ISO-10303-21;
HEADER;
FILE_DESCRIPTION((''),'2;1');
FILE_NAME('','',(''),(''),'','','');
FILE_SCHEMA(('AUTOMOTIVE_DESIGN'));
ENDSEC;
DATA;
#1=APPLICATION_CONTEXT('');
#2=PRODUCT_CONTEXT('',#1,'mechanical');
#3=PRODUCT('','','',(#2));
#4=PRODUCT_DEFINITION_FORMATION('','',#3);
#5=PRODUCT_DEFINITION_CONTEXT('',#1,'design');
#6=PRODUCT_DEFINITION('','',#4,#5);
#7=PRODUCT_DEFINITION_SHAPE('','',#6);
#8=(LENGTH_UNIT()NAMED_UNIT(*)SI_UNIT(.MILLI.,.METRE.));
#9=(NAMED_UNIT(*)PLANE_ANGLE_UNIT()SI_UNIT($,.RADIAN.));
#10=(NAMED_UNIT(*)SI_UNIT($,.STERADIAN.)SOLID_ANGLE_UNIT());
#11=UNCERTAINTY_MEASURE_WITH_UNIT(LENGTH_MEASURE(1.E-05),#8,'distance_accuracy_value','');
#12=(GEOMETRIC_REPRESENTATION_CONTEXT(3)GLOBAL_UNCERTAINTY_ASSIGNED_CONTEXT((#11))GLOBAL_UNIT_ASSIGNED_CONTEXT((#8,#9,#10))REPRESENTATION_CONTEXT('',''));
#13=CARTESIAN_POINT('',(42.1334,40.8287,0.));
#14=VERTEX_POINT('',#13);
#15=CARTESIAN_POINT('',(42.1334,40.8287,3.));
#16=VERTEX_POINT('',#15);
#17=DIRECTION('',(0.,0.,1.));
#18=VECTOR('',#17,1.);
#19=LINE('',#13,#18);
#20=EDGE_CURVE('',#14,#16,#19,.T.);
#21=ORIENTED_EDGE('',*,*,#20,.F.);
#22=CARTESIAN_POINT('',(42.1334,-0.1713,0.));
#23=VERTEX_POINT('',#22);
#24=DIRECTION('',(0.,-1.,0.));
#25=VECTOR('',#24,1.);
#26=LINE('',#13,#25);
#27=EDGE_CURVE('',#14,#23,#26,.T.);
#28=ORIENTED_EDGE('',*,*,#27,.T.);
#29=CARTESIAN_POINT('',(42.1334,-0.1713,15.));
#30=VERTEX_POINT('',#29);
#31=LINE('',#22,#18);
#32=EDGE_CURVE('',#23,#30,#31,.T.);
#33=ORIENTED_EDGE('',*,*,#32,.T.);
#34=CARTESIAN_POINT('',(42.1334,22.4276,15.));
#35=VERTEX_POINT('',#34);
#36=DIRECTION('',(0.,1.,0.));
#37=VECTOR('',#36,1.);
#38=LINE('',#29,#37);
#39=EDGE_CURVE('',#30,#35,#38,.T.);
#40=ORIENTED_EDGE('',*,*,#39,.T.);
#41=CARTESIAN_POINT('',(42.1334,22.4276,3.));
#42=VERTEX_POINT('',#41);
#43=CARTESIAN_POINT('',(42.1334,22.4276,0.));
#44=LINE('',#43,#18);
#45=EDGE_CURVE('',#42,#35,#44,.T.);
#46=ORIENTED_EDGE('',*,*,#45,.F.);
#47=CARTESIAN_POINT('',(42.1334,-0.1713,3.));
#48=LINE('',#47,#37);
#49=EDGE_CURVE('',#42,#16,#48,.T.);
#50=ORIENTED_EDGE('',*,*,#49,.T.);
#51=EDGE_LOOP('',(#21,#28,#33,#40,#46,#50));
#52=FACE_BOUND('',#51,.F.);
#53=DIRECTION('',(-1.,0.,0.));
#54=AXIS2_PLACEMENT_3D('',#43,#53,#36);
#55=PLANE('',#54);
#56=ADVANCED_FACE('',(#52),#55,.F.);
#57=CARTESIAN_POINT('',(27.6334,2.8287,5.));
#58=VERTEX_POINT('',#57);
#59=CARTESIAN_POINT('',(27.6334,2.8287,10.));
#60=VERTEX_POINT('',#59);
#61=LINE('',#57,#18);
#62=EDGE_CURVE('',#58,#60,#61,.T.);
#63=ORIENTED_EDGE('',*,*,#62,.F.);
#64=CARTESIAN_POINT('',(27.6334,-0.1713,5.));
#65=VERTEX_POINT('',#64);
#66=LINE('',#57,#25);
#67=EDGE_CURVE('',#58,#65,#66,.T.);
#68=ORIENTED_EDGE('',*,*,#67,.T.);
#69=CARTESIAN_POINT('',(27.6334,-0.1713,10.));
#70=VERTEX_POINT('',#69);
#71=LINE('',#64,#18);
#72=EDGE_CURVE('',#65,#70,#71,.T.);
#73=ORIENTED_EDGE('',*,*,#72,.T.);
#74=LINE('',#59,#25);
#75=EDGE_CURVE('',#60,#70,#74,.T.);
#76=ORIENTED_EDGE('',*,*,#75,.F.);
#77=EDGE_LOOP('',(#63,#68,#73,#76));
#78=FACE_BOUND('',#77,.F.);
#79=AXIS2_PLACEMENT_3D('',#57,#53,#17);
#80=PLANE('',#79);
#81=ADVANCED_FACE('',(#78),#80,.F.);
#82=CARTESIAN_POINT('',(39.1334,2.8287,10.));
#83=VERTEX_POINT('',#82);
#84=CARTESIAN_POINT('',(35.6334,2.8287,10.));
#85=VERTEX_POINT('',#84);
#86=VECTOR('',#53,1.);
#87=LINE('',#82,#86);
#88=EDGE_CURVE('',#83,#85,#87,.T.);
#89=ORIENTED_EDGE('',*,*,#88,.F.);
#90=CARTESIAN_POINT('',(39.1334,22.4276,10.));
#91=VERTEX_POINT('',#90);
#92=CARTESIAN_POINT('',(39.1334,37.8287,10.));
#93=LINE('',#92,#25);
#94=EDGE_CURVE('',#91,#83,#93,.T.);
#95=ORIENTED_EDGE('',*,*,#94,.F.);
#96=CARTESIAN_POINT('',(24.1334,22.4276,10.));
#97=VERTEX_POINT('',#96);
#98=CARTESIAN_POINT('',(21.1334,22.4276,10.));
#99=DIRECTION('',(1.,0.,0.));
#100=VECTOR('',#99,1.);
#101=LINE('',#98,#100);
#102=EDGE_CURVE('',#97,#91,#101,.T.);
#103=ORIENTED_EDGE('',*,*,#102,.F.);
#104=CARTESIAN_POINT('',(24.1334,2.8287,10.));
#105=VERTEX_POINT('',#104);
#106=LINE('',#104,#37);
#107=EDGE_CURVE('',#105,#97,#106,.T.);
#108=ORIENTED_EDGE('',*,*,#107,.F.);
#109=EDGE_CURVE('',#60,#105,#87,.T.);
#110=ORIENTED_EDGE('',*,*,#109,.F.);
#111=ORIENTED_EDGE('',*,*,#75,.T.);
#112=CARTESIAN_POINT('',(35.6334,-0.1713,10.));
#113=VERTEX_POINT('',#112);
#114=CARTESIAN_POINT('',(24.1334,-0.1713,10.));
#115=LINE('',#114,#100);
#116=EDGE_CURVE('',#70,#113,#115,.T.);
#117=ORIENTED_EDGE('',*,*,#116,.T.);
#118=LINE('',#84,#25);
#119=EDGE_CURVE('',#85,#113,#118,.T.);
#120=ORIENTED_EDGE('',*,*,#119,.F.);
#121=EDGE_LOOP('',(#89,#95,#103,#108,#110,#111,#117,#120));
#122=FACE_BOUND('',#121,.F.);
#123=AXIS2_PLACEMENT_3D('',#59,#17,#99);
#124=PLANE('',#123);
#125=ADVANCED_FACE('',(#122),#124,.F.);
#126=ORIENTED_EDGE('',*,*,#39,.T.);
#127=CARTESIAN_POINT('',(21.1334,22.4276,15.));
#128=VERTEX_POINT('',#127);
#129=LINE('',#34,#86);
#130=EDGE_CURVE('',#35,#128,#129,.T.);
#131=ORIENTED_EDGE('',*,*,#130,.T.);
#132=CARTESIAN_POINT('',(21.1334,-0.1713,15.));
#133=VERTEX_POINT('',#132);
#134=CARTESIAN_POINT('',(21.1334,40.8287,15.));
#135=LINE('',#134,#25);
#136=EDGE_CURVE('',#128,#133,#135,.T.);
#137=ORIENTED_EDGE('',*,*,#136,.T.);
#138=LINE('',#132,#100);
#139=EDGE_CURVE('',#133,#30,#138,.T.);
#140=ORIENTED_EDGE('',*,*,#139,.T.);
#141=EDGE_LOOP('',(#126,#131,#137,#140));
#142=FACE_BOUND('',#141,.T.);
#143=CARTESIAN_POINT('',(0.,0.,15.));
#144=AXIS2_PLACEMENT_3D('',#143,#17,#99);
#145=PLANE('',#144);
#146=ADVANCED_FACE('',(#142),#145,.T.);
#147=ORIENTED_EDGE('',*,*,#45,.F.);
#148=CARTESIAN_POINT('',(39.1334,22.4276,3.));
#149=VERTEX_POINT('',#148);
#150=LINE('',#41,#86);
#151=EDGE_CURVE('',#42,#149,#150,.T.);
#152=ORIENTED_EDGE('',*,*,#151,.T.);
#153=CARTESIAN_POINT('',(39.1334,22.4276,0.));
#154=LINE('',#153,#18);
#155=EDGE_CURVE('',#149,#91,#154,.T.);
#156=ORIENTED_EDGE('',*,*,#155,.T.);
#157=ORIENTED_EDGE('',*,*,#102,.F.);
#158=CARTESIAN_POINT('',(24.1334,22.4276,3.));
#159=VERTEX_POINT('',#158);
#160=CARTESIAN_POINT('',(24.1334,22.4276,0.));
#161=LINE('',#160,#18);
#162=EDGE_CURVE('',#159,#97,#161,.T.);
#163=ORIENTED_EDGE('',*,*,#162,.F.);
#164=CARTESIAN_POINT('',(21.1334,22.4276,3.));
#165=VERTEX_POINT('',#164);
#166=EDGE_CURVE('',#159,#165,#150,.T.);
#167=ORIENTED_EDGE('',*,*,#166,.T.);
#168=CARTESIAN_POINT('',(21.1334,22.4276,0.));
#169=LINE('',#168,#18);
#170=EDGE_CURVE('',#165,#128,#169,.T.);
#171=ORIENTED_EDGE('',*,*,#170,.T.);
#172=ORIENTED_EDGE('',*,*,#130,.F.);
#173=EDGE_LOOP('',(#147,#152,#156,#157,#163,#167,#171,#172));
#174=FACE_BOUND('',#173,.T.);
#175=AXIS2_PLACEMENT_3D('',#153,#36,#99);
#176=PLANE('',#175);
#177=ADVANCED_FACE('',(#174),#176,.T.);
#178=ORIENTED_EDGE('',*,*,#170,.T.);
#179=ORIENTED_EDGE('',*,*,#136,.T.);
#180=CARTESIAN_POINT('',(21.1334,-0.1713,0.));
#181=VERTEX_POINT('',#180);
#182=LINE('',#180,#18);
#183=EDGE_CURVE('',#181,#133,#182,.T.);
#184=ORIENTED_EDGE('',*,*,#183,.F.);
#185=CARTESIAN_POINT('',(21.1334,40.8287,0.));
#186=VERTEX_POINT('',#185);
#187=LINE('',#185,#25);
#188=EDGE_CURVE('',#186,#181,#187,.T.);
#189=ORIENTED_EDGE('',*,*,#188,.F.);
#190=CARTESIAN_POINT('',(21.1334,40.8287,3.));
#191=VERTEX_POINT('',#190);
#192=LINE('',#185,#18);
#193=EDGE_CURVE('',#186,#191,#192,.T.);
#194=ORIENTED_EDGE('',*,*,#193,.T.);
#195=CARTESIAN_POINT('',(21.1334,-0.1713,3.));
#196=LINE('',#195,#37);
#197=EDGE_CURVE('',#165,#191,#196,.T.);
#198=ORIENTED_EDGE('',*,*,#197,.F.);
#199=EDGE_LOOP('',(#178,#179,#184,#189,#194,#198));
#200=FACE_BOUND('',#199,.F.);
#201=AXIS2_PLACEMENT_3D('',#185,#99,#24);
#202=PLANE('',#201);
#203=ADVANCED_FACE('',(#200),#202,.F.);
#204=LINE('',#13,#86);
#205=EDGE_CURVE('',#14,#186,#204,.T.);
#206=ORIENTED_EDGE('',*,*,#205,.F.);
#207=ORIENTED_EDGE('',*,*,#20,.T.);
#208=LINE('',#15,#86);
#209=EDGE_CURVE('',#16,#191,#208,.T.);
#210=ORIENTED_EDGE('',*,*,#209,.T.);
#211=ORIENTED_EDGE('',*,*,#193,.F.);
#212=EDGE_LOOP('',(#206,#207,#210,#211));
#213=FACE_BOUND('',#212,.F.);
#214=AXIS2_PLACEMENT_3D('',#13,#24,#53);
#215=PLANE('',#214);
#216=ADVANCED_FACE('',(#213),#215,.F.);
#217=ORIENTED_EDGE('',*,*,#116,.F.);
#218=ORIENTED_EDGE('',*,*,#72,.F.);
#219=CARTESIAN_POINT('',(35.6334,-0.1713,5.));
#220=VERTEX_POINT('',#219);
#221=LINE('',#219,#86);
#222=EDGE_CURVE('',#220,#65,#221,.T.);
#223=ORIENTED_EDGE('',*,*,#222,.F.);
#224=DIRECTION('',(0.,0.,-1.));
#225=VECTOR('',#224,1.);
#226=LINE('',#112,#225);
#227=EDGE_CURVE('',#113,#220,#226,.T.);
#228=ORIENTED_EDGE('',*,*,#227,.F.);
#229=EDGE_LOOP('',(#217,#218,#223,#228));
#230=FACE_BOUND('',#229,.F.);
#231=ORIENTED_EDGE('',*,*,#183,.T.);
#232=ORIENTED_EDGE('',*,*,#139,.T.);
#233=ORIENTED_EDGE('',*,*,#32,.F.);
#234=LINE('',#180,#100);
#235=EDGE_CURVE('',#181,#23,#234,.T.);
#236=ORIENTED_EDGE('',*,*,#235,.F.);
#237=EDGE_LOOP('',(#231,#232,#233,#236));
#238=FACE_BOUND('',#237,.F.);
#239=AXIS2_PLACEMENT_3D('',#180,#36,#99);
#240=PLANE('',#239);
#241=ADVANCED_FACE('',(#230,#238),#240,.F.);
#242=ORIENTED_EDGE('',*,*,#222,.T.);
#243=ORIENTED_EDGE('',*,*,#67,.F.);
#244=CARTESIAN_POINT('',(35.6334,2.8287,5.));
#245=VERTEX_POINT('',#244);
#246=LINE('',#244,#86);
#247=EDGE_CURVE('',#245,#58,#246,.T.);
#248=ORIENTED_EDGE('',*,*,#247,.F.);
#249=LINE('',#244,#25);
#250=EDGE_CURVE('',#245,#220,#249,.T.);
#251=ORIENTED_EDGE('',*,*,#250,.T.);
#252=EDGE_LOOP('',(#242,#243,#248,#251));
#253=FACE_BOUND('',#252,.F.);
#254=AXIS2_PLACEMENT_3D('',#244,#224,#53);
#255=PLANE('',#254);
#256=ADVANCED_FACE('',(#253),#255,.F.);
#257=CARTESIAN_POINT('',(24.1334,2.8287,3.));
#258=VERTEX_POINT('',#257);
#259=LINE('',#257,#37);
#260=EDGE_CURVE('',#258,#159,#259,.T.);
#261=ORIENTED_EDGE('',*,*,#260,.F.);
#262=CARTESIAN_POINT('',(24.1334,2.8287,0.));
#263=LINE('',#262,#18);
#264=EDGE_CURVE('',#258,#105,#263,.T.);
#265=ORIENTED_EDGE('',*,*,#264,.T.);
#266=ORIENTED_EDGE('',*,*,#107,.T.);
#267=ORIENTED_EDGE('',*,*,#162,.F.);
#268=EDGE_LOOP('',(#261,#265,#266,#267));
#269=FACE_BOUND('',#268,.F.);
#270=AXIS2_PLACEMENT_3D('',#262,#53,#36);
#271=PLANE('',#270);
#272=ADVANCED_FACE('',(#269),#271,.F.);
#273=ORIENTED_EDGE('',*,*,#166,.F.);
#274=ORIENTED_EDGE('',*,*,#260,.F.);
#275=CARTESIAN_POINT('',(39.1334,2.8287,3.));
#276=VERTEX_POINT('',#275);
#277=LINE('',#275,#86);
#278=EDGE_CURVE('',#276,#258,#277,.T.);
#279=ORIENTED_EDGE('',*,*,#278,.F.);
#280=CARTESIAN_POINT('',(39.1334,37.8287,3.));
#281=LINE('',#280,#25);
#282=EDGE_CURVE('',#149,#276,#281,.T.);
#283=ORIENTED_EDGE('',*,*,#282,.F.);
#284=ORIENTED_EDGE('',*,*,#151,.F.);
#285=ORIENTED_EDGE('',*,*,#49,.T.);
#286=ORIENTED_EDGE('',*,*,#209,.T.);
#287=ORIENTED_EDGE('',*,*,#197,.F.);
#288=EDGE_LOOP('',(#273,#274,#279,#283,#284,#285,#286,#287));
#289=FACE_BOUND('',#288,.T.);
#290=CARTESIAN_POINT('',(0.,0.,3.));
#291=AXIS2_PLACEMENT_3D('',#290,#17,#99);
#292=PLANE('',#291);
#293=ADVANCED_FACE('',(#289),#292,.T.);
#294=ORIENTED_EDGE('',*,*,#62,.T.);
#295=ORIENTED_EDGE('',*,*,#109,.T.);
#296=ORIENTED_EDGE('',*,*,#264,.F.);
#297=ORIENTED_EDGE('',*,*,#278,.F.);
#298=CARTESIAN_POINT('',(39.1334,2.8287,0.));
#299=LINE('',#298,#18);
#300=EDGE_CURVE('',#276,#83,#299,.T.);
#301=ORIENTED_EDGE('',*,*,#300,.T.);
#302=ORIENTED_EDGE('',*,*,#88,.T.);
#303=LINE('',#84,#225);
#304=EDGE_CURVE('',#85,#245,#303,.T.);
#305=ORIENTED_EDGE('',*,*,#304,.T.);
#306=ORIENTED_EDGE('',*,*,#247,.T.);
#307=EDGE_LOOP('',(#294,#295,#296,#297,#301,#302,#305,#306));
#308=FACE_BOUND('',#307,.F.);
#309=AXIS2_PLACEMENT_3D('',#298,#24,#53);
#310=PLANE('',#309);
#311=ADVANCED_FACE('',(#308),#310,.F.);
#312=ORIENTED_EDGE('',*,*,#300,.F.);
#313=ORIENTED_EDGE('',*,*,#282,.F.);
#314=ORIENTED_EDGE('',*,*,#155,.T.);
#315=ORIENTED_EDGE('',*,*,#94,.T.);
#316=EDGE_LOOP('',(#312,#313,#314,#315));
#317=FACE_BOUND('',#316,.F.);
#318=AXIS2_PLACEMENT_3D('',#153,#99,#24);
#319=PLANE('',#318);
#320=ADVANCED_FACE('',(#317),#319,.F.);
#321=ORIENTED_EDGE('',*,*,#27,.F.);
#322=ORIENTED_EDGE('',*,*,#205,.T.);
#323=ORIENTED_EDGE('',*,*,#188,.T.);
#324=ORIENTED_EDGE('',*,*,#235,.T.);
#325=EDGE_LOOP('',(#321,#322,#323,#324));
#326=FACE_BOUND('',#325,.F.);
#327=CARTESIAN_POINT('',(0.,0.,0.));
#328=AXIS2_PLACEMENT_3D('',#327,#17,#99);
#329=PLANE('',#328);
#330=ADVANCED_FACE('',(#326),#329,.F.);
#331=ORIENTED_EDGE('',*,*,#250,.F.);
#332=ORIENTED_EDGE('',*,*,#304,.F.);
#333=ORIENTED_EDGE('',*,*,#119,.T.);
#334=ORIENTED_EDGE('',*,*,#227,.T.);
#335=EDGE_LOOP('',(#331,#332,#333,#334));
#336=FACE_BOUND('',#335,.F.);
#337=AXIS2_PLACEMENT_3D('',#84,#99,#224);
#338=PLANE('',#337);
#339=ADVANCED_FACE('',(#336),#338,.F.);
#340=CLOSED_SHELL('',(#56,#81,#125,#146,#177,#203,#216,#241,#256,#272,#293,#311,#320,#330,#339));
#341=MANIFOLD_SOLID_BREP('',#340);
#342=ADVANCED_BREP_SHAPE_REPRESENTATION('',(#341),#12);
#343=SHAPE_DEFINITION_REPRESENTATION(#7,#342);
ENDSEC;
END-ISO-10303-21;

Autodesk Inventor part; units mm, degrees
ref_plane "YZ Plane" through (0, 0, 0) normal (1, 0, 0) x (0, 1, 0)
ref_plane "XZ Plane" through (0, 0, 0) normal (0, 1, 0) x (-1, 0, 0)
ref_plane "XY Plane" through (0, 0, 0) normal (0, 0, 1) x (1, 0, 0)
sketch "Sketch1" plane through (0, 0, 0) normal (0, 0, 1) x (1, 0, 0)
  line L0 (24.1334, 37.8287) -> (39.1334, 37.8287)
  line L1 (39.1334, 37.8287) -> (39.1334, 2.8287)
  line L2 (39.1334, 2.8287) -> (24.1334, 2.8287)
  line L3 (24.1334, 2.8287) -> (24.1334, 37.8287)
  line L4 (42.1334, 40.8287) -> (21.1334, 40.8287)
  line L5 (21.1334, 40.8287) -> (21.1334, -0.1713)
  line L6 (21.1334, -0.1713) -> (42.1334, -0.1713)
  line L7 (42.1334, -0.1713) -> (42.1334, 40.8287)
  line L8 (21.1334, 22.4276) -> (42.1334, 22.4276)
  point P0 (0, 0)
  point P1 (24.1334, 22.4276)
  point P2 (39.1334, 22.4276)
  dimension "d0" = 15
  dimension "d1" = 35
  dimension "d2" = 3
extrude "Extrusion1" add sketch "Sketch1" along normal blind 3
extrude "Extrusion2" add sketch "Sketch1" along normal blind 15 contours L3 L2 L1 L8 L7 L6 L5
extrude "Extrusion3" add sketch "Sketch1" along normal blind 15 contours L8 L1 L2 L3
extrude "Extrusion4" cut sketch "Sketch1" along normal blind 10 contours L8 L1 L2 L3
extrude "Extrusion5" add sketch "Sketch1" along normal blind 3 contours L8 L1 L2 L3
sketch "Sketch2" plane through (24.1334, 2.8287, 3) normal (0, 1, 0) x (1, 0, 0)
  line L0 (0, -7) -> (15, -7) projected
  line L1 (3.5, -7) -> (11.5, -7)
  line L2 (11.5, -7) -> (11.5, -2)
  line L3 (11.5, -2) -> (3.5, -2)
  line L4 (3.5, -2) -> (3.5, -7)
  line L5 (0, -7) -> (0, 0) projected
  point P0 (-24.1334, 3)
  dimension "d13" = 8
  dimension "d14" = 5
  dimension "d15" = 3.5
extrude "Extrusion6" cut sketch "Sketch2" against normal blind 3
properties part number "IRsensorhub"
